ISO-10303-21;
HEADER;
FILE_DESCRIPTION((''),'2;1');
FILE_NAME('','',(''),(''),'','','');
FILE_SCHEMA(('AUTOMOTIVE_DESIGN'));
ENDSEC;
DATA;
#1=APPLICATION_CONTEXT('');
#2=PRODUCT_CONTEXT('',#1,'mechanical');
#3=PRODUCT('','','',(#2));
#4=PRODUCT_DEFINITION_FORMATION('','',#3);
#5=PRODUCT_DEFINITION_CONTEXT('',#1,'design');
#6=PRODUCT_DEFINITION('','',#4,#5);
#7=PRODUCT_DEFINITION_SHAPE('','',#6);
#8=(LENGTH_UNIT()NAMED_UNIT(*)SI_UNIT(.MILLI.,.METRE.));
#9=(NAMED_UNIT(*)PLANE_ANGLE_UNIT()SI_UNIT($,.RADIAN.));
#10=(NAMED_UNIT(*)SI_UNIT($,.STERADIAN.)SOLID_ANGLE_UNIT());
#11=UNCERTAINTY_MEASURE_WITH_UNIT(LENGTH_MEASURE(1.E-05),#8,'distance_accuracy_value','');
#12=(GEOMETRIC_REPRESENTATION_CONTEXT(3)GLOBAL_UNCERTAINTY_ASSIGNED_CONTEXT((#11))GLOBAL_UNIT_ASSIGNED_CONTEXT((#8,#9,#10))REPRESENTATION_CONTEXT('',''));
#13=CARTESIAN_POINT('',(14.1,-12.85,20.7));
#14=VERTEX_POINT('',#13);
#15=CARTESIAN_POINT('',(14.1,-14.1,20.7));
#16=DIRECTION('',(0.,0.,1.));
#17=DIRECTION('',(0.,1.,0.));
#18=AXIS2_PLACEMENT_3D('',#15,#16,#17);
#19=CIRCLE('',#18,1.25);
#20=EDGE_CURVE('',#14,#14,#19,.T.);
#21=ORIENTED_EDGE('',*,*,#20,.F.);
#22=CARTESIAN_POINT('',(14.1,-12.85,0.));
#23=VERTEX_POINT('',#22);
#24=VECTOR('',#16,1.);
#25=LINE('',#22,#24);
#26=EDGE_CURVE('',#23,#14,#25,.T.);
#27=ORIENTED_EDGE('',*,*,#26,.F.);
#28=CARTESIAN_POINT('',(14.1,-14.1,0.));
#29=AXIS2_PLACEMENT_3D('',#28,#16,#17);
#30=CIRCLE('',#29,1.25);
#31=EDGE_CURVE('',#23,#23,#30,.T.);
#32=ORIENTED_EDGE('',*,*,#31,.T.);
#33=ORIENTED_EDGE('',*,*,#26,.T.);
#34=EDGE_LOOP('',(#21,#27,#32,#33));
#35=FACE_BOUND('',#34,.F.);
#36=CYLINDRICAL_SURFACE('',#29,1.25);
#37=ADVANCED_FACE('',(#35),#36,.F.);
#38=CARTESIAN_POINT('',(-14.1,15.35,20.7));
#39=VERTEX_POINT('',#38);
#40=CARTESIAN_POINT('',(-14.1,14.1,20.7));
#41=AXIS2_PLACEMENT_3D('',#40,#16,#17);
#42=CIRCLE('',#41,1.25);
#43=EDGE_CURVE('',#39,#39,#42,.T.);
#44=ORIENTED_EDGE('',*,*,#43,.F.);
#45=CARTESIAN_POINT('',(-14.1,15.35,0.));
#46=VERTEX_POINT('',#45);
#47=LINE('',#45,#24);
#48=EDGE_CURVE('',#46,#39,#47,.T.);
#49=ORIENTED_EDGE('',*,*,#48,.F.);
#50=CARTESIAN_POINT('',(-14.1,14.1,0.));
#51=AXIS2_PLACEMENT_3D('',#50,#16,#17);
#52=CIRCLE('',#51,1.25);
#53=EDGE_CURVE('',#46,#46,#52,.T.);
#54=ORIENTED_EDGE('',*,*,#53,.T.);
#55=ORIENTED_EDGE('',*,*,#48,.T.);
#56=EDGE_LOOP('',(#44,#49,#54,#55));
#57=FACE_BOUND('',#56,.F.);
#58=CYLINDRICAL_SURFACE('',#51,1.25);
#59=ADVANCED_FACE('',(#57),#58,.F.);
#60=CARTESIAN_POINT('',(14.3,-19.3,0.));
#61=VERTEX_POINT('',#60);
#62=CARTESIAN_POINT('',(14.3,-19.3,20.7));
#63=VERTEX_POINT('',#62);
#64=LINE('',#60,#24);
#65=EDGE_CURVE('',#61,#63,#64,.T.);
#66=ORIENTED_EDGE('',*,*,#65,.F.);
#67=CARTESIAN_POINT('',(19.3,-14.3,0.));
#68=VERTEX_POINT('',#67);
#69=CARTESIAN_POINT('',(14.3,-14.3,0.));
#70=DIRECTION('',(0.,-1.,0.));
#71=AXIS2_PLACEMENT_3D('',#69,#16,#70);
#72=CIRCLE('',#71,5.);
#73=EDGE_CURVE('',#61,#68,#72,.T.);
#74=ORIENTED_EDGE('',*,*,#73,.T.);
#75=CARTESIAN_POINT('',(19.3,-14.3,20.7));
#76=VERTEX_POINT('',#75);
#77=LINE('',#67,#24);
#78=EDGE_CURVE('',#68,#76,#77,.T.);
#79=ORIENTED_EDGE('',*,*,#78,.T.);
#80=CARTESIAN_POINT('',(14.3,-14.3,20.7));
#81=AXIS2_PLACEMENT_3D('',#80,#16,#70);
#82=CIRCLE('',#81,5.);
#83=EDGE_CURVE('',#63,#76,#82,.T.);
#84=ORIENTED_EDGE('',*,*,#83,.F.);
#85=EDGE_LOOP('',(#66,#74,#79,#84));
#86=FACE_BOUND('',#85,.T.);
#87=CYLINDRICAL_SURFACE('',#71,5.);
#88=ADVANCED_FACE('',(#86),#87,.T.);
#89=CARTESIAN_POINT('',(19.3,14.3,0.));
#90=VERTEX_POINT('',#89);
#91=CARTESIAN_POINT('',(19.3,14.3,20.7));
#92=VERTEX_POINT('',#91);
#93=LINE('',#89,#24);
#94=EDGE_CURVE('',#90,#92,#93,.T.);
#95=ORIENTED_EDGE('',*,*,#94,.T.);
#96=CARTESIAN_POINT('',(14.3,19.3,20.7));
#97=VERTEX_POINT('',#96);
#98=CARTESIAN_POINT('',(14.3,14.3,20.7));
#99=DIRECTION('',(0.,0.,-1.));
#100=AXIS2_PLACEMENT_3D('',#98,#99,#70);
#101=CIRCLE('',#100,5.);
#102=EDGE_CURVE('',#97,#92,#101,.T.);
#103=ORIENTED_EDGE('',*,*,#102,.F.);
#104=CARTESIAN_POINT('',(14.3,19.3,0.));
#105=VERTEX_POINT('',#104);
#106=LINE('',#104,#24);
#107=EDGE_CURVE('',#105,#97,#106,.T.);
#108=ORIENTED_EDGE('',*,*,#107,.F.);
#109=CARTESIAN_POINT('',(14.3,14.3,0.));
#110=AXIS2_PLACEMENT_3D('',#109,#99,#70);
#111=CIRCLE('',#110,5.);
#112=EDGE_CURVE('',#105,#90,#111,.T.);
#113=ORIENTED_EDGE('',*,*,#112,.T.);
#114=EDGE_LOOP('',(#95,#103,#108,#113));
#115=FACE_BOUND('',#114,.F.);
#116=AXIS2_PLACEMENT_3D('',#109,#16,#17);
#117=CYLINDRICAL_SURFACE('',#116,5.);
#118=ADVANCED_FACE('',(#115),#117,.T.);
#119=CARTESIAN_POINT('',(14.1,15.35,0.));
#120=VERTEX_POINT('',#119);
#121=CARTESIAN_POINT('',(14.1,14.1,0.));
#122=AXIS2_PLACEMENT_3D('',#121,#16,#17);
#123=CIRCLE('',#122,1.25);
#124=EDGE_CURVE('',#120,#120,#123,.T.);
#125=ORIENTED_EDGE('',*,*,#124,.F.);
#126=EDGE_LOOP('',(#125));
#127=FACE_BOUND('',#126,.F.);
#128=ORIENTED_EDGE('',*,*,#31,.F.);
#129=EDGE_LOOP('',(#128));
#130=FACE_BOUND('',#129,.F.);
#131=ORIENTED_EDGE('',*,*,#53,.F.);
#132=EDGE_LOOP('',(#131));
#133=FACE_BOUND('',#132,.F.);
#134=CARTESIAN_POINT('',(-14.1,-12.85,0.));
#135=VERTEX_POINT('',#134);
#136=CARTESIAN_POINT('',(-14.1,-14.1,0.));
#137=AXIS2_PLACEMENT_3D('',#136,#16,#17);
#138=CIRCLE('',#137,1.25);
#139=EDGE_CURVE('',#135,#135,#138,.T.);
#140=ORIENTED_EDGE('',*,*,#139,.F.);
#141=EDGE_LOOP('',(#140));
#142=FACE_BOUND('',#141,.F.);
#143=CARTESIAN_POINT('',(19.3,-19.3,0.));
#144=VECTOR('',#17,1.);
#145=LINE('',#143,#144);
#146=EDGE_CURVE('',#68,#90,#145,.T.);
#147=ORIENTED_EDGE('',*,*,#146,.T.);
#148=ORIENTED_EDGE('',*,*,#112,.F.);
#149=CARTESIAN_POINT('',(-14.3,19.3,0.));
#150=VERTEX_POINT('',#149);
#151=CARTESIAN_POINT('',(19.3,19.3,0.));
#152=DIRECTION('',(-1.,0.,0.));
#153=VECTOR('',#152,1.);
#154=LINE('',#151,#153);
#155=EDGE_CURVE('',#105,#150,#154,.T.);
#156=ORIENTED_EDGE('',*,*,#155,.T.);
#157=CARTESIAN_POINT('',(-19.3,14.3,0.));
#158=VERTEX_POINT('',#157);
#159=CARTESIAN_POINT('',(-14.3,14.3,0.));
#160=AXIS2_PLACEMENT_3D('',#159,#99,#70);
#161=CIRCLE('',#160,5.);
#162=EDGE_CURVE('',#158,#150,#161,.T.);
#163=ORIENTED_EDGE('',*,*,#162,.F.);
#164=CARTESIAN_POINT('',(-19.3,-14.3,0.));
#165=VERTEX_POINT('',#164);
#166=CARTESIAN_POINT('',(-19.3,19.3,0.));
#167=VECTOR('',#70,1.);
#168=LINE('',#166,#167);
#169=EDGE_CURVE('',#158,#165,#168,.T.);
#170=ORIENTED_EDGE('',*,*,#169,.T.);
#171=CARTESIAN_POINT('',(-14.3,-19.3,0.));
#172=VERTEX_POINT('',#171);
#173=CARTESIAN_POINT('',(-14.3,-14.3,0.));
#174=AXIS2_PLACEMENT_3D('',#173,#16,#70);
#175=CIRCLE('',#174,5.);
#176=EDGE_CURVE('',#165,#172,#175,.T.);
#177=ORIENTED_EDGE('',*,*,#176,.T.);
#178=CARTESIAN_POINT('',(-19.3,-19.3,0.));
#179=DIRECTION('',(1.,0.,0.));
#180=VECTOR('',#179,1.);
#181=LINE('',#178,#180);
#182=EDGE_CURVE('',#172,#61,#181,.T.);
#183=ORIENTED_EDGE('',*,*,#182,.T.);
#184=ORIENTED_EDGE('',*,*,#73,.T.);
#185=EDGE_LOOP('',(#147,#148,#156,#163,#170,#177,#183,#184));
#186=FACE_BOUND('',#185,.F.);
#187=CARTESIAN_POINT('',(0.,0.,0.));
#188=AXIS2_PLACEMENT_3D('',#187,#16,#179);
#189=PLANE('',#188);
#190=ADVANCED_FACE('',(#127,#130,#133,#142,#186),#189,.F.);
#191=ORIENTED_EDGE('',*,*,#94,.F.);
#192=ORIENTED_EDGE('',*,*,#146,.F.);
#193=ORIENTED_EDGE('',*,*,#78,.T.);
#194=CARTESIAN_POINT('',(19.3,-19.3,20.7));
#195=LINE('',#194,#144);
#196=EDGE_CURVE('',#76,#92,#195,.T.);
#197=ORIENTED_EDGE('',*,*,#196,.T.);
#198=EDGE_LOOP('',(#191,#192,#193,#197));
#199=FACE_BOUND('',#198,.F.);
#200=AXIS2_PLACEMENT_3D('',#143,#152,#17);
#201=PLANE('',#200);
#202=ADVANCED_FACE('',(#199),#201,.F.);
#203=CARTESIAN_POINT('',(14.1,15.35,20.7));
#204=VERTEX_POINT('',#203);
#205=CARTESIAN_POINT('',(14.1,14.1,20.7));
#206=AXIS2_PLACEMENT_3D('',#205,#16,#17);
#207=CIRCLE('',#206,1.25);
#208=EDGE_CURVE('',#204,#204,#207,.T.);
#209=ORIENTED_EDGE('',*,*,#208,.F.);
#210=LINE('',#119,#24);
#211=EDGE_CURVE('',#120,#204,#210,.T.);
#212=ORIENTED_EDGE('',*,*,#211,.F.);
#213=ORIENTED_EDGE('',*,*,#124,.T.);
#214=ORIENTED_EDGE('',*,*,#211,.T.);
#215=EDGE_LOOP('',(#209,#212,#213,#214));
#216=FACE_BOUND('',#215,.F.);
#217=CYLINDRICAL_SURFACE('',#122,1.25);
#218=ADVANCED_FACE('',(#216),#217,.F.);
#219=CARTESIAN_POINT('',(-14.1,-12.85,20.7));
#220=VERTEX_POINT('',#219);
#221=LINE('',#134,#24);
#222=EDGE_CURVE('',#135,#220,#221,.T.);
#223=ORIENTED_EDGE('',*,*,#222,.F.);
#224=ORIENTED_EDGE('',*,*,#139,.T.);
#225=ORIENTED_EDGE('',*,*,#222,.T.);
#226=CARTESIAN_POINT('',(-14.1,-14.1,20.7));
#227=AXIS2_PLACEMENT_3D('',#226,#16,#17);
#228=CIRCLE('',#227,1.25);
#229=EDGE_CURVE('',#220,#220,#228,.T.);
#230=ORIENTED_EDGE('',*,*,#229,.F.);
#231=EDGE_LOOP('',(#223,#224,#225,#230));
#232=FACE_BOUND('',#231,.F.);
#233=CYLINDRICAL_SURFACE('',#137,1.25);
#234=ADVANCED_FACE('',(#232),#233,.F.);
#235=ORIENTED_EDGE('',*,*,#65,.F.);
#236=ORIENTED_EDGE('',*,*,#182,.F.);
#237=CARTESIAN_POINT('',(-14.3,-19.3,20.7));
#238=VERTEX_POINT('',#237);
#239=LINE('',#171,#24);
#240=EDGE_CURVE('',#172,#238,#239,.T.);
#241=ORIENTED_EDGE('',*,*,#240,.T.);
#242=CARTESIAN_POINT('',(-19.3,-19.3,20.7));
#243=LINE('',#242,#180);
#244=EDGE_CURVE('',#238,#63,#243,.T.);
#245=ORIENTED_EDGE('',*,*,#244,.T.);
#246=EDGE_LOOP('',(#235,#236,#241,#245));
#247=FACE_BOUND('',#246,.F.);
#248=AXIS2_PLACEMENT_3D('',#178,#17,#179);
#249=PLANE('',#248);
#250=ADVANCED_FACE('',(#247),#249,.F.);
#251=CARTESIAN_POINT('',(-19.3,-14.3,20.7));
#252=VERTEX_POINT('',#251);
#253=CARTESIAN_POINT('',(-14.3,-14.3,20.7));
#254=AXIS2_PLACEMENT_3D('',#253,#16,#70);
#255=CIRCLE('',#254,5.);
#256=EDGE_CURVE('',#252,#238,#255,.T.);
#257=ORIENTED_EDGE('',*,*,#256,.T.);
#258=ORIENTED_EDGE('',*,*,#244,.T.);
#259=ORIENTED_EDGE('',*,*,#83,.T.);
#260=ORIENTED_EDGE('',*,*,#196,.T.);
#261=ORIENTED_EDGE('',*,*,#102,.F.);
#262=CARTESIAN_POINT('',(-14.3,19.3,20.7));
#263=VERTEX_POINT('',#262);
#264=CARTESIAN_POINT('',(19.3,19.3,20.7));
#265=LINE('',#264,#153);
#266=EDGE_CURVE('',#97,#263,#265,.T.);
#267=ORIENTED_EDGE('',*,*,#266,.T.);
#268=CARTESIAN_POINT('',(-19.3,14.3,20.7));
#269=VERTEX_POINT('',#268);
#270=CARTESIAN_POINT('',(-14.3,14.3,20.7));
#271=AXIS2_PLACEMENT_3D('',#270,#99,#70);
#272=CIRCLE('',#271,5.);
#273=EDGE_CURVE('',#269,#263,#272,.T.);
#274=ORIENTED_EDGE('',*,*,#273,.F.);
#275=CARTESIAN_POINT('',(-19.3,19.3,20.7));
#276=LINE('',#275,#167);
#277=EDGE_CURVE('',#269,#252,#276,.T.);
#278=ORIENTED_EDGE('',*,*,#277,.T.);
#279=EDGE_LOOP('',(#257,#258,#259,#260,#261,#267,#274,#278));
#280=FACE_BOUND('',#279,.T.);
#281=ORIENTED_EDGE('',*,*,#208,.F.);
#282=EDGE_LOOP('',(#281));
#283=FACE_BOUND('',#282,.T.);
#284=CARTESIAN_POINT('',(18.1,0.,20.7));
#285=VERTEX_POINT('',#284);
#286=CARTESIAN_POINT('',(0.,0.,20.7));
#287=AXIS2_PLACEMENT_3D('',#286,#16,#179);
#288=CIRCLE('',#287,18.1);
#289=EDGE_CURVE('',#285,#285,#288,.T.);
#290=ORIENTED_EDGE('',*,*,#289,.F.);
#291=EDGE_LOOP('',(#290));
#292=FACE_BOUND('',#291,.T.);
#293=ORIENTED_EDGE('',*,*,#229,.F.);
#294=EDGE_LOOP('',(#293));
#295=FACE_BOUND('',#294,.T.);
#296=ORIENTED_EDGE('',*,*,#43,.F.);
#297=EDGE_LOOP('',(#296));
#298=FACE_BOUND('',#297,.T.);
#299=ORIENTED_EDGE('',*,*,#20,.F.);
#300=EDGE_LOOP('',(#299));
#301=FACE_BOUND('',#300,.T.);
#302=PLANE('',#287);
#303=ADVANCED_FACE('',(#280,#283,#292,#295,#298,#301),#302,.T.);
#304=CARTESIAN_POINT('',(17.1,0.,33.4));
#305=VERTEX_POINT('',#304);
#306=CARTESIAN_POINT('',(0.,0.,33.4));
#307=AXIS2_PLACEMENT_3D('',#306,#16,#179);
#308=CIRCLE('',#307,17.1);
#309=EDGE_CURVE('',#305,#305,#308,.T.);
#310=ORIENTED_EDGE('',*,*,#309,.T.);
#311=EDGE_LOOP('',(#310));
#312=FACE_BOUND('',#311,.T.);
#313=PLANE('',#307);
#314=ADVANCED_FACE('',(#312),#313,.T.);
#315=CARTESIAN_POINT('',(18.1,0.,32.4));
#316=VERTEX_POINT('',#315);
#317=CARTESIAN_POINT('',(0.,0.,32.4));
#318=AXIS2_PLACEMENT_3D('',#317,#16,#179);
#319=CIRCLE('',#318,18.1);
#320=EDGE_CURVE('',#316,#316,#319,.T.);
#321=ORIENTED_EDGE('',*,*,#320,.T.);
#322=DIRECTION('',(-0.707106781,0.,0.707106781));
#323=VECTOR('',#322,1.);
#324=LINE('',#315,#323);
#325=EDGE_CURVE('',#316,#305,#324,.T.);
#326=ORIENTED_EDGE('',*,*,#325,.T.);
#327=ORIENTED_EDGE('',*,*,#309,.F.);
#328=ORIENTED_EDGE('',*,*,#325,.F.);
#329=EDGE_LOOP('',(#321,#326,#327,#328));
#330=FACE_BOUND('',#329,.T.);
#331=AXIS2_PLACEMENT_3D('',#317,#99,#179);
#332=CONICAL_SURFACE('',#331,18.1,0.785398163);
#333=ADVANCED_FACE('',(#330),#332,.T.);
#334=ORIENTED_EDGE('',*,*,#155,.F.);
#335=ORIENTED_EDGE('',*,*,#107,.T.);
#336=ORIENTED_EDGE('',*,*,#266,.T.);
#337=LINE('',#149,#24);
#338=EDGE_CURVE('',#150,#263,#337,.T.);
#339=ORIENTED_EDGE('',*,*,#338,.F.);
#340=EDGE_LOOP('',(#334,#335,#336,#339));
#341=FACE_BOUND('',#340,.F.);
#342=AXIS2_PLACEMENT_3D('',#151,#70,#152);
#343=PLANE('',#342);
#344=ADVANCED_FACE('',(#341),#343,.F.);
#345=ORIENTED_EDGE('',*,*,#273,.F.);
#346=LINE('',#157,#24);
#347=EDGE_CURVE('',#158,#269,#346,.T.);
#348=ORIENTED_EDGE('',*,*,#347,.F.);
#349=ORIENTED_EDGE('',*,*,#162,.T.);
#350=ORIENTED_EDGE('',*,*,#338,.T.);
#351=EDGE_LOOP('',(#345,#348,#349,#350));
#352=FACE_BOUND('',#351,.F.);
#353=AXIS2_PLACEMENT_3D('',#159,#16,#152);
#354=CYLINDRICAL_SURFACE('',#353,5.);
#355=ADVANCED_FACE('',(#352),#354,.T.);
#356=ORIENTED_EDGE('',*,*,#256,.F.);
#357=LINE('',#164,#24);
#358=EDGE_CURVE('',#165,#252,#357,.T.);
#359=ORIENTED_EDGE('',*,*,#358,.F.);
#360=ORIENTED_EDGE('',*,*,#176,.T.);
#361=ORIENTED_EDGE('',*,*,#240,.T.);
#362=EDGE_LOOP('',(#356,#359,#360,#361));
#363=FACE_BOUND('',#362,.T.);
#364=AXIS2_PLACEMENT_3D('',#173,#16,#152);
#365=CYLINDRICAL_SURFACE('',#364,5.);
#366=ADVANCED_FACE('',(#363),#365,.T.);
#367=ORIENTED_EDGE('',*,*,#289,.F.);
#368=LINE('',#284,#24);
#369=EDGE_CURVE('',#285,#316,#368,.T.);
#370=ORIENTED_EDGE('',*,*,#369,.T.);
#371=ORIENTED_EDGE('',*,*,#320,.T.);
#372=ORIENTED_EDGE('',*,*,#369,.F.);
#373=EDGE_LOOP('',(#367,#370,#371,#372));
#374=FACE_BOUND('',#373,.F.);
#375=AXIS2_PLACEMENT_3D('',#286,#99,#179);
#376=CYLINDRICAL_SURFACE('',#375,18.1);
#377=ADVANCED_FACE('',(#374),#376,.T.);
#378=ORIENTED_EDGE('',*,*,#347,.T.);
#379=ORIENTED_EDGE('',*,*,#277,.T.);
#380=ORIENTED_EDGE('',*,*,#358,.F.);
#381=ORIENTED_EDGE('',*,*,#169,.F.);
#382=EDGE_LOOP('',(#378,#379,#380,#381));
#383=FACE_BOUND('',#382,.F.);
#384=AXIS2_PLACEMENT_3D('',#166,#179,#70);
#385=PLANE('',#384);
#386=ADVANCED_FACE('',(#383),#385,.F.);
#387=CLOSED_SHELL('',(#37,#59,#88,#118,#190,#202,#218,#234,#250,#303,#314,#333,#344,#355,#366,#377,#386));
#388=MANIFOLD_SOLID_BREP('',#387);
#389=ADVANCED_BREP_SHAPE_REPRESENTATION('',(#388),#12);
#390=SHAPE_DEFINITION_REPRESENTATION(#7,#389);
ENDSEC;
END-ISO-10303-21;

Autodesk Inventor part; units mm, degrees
ref_plane "YZ Plane" through (0, 0, 0) normal (1, 0, 0) x (0, 1, 0)
ref_plane "XZ Plane" through (0, 0, 0) normal (0, 1, 0) x (-1, 0, 0)
ref_plane "XY Plane" through (0, 0, 0) normal (0, 0, 1) x (1, 0, 0)
sketch "スケッチ1" plane through (0, 0, 0) normal (0, 0, 1) x (1, 0, 0)
  line L0 (-19.3, -19.3) -> (19.3, -19.3)
  line L1 (19.3, -19.3) -> (19.3, 19.3)
  line L2 (19.3, 19.3) -> (-19.3, 19.3)
  line L3 (-19.3, 19.3) -> (-19.3, -19.3)
  line L4 (-19.3, -19.3) -> (19.3, 19.3) construction
  line L5 (19.3, -19.3) -> (-19.3, 19.3) construction
  point P0 (0, 0)
  dimension "d0" = 38.6
  dimension "d1" = 38.6
extrude "押し出し1" add sketch "スケッチ1" along normal blind 20.7
sketch "スケッチ2" plane through (0, 0, 20.7) normal (0, 0, 1) x (1, 0, 0)
  circle A0 centre (0, 0) radius 18.1
  dimension "d4" = 36.2
extrude "押し出し2" add sketch "スケッチ2" along normal blind 12.7
sketch "スケッチ3" plane through (0, 0, 0) normal (0, 0, -1) x (-1, 0, 0)
  line L0 (-14.1, -14.1) -> (14.1, -14.1) construction
  line L1 (14.1, -14.1) -> (14.1, 14.1) construction
  line L2 (14.1, 14.1) -> (-14.1, 14.1) construction
  line L3 (-14.1, 14.1) -> (-14.1, -14.1) construction
  line L4 (-14.1, -14.1) -> (14.1, 14.1) construction
  line L5 (14.1, -14.1) -> (-14.1, 14.1) construction
  point P0 (0, 0)
  dimension "d7" = 28.2
  dimension "d8" = 28.2
hole "穴1" at (-14.1, 14.1, 0) at (-14.1, -14.1, 0) at (14.1, -14.1, 0) at (14.1, 14.1, 0) direction (0, 0, 1) diameter 2.5 end through all
fillet "フィレット1" radius 5 4 edges at (19.3, 19.3, 10.35) (19.3, -19.3, 10.35) (-19.3, 19.3, 10.35) (-19.3, -19.3, 10.35)
chamfer "面取り1" distance 1 angle 45 1 edges at (-18.1, 0, 33.4)
properties part number "YDLiDAR_T-mini-pro"
